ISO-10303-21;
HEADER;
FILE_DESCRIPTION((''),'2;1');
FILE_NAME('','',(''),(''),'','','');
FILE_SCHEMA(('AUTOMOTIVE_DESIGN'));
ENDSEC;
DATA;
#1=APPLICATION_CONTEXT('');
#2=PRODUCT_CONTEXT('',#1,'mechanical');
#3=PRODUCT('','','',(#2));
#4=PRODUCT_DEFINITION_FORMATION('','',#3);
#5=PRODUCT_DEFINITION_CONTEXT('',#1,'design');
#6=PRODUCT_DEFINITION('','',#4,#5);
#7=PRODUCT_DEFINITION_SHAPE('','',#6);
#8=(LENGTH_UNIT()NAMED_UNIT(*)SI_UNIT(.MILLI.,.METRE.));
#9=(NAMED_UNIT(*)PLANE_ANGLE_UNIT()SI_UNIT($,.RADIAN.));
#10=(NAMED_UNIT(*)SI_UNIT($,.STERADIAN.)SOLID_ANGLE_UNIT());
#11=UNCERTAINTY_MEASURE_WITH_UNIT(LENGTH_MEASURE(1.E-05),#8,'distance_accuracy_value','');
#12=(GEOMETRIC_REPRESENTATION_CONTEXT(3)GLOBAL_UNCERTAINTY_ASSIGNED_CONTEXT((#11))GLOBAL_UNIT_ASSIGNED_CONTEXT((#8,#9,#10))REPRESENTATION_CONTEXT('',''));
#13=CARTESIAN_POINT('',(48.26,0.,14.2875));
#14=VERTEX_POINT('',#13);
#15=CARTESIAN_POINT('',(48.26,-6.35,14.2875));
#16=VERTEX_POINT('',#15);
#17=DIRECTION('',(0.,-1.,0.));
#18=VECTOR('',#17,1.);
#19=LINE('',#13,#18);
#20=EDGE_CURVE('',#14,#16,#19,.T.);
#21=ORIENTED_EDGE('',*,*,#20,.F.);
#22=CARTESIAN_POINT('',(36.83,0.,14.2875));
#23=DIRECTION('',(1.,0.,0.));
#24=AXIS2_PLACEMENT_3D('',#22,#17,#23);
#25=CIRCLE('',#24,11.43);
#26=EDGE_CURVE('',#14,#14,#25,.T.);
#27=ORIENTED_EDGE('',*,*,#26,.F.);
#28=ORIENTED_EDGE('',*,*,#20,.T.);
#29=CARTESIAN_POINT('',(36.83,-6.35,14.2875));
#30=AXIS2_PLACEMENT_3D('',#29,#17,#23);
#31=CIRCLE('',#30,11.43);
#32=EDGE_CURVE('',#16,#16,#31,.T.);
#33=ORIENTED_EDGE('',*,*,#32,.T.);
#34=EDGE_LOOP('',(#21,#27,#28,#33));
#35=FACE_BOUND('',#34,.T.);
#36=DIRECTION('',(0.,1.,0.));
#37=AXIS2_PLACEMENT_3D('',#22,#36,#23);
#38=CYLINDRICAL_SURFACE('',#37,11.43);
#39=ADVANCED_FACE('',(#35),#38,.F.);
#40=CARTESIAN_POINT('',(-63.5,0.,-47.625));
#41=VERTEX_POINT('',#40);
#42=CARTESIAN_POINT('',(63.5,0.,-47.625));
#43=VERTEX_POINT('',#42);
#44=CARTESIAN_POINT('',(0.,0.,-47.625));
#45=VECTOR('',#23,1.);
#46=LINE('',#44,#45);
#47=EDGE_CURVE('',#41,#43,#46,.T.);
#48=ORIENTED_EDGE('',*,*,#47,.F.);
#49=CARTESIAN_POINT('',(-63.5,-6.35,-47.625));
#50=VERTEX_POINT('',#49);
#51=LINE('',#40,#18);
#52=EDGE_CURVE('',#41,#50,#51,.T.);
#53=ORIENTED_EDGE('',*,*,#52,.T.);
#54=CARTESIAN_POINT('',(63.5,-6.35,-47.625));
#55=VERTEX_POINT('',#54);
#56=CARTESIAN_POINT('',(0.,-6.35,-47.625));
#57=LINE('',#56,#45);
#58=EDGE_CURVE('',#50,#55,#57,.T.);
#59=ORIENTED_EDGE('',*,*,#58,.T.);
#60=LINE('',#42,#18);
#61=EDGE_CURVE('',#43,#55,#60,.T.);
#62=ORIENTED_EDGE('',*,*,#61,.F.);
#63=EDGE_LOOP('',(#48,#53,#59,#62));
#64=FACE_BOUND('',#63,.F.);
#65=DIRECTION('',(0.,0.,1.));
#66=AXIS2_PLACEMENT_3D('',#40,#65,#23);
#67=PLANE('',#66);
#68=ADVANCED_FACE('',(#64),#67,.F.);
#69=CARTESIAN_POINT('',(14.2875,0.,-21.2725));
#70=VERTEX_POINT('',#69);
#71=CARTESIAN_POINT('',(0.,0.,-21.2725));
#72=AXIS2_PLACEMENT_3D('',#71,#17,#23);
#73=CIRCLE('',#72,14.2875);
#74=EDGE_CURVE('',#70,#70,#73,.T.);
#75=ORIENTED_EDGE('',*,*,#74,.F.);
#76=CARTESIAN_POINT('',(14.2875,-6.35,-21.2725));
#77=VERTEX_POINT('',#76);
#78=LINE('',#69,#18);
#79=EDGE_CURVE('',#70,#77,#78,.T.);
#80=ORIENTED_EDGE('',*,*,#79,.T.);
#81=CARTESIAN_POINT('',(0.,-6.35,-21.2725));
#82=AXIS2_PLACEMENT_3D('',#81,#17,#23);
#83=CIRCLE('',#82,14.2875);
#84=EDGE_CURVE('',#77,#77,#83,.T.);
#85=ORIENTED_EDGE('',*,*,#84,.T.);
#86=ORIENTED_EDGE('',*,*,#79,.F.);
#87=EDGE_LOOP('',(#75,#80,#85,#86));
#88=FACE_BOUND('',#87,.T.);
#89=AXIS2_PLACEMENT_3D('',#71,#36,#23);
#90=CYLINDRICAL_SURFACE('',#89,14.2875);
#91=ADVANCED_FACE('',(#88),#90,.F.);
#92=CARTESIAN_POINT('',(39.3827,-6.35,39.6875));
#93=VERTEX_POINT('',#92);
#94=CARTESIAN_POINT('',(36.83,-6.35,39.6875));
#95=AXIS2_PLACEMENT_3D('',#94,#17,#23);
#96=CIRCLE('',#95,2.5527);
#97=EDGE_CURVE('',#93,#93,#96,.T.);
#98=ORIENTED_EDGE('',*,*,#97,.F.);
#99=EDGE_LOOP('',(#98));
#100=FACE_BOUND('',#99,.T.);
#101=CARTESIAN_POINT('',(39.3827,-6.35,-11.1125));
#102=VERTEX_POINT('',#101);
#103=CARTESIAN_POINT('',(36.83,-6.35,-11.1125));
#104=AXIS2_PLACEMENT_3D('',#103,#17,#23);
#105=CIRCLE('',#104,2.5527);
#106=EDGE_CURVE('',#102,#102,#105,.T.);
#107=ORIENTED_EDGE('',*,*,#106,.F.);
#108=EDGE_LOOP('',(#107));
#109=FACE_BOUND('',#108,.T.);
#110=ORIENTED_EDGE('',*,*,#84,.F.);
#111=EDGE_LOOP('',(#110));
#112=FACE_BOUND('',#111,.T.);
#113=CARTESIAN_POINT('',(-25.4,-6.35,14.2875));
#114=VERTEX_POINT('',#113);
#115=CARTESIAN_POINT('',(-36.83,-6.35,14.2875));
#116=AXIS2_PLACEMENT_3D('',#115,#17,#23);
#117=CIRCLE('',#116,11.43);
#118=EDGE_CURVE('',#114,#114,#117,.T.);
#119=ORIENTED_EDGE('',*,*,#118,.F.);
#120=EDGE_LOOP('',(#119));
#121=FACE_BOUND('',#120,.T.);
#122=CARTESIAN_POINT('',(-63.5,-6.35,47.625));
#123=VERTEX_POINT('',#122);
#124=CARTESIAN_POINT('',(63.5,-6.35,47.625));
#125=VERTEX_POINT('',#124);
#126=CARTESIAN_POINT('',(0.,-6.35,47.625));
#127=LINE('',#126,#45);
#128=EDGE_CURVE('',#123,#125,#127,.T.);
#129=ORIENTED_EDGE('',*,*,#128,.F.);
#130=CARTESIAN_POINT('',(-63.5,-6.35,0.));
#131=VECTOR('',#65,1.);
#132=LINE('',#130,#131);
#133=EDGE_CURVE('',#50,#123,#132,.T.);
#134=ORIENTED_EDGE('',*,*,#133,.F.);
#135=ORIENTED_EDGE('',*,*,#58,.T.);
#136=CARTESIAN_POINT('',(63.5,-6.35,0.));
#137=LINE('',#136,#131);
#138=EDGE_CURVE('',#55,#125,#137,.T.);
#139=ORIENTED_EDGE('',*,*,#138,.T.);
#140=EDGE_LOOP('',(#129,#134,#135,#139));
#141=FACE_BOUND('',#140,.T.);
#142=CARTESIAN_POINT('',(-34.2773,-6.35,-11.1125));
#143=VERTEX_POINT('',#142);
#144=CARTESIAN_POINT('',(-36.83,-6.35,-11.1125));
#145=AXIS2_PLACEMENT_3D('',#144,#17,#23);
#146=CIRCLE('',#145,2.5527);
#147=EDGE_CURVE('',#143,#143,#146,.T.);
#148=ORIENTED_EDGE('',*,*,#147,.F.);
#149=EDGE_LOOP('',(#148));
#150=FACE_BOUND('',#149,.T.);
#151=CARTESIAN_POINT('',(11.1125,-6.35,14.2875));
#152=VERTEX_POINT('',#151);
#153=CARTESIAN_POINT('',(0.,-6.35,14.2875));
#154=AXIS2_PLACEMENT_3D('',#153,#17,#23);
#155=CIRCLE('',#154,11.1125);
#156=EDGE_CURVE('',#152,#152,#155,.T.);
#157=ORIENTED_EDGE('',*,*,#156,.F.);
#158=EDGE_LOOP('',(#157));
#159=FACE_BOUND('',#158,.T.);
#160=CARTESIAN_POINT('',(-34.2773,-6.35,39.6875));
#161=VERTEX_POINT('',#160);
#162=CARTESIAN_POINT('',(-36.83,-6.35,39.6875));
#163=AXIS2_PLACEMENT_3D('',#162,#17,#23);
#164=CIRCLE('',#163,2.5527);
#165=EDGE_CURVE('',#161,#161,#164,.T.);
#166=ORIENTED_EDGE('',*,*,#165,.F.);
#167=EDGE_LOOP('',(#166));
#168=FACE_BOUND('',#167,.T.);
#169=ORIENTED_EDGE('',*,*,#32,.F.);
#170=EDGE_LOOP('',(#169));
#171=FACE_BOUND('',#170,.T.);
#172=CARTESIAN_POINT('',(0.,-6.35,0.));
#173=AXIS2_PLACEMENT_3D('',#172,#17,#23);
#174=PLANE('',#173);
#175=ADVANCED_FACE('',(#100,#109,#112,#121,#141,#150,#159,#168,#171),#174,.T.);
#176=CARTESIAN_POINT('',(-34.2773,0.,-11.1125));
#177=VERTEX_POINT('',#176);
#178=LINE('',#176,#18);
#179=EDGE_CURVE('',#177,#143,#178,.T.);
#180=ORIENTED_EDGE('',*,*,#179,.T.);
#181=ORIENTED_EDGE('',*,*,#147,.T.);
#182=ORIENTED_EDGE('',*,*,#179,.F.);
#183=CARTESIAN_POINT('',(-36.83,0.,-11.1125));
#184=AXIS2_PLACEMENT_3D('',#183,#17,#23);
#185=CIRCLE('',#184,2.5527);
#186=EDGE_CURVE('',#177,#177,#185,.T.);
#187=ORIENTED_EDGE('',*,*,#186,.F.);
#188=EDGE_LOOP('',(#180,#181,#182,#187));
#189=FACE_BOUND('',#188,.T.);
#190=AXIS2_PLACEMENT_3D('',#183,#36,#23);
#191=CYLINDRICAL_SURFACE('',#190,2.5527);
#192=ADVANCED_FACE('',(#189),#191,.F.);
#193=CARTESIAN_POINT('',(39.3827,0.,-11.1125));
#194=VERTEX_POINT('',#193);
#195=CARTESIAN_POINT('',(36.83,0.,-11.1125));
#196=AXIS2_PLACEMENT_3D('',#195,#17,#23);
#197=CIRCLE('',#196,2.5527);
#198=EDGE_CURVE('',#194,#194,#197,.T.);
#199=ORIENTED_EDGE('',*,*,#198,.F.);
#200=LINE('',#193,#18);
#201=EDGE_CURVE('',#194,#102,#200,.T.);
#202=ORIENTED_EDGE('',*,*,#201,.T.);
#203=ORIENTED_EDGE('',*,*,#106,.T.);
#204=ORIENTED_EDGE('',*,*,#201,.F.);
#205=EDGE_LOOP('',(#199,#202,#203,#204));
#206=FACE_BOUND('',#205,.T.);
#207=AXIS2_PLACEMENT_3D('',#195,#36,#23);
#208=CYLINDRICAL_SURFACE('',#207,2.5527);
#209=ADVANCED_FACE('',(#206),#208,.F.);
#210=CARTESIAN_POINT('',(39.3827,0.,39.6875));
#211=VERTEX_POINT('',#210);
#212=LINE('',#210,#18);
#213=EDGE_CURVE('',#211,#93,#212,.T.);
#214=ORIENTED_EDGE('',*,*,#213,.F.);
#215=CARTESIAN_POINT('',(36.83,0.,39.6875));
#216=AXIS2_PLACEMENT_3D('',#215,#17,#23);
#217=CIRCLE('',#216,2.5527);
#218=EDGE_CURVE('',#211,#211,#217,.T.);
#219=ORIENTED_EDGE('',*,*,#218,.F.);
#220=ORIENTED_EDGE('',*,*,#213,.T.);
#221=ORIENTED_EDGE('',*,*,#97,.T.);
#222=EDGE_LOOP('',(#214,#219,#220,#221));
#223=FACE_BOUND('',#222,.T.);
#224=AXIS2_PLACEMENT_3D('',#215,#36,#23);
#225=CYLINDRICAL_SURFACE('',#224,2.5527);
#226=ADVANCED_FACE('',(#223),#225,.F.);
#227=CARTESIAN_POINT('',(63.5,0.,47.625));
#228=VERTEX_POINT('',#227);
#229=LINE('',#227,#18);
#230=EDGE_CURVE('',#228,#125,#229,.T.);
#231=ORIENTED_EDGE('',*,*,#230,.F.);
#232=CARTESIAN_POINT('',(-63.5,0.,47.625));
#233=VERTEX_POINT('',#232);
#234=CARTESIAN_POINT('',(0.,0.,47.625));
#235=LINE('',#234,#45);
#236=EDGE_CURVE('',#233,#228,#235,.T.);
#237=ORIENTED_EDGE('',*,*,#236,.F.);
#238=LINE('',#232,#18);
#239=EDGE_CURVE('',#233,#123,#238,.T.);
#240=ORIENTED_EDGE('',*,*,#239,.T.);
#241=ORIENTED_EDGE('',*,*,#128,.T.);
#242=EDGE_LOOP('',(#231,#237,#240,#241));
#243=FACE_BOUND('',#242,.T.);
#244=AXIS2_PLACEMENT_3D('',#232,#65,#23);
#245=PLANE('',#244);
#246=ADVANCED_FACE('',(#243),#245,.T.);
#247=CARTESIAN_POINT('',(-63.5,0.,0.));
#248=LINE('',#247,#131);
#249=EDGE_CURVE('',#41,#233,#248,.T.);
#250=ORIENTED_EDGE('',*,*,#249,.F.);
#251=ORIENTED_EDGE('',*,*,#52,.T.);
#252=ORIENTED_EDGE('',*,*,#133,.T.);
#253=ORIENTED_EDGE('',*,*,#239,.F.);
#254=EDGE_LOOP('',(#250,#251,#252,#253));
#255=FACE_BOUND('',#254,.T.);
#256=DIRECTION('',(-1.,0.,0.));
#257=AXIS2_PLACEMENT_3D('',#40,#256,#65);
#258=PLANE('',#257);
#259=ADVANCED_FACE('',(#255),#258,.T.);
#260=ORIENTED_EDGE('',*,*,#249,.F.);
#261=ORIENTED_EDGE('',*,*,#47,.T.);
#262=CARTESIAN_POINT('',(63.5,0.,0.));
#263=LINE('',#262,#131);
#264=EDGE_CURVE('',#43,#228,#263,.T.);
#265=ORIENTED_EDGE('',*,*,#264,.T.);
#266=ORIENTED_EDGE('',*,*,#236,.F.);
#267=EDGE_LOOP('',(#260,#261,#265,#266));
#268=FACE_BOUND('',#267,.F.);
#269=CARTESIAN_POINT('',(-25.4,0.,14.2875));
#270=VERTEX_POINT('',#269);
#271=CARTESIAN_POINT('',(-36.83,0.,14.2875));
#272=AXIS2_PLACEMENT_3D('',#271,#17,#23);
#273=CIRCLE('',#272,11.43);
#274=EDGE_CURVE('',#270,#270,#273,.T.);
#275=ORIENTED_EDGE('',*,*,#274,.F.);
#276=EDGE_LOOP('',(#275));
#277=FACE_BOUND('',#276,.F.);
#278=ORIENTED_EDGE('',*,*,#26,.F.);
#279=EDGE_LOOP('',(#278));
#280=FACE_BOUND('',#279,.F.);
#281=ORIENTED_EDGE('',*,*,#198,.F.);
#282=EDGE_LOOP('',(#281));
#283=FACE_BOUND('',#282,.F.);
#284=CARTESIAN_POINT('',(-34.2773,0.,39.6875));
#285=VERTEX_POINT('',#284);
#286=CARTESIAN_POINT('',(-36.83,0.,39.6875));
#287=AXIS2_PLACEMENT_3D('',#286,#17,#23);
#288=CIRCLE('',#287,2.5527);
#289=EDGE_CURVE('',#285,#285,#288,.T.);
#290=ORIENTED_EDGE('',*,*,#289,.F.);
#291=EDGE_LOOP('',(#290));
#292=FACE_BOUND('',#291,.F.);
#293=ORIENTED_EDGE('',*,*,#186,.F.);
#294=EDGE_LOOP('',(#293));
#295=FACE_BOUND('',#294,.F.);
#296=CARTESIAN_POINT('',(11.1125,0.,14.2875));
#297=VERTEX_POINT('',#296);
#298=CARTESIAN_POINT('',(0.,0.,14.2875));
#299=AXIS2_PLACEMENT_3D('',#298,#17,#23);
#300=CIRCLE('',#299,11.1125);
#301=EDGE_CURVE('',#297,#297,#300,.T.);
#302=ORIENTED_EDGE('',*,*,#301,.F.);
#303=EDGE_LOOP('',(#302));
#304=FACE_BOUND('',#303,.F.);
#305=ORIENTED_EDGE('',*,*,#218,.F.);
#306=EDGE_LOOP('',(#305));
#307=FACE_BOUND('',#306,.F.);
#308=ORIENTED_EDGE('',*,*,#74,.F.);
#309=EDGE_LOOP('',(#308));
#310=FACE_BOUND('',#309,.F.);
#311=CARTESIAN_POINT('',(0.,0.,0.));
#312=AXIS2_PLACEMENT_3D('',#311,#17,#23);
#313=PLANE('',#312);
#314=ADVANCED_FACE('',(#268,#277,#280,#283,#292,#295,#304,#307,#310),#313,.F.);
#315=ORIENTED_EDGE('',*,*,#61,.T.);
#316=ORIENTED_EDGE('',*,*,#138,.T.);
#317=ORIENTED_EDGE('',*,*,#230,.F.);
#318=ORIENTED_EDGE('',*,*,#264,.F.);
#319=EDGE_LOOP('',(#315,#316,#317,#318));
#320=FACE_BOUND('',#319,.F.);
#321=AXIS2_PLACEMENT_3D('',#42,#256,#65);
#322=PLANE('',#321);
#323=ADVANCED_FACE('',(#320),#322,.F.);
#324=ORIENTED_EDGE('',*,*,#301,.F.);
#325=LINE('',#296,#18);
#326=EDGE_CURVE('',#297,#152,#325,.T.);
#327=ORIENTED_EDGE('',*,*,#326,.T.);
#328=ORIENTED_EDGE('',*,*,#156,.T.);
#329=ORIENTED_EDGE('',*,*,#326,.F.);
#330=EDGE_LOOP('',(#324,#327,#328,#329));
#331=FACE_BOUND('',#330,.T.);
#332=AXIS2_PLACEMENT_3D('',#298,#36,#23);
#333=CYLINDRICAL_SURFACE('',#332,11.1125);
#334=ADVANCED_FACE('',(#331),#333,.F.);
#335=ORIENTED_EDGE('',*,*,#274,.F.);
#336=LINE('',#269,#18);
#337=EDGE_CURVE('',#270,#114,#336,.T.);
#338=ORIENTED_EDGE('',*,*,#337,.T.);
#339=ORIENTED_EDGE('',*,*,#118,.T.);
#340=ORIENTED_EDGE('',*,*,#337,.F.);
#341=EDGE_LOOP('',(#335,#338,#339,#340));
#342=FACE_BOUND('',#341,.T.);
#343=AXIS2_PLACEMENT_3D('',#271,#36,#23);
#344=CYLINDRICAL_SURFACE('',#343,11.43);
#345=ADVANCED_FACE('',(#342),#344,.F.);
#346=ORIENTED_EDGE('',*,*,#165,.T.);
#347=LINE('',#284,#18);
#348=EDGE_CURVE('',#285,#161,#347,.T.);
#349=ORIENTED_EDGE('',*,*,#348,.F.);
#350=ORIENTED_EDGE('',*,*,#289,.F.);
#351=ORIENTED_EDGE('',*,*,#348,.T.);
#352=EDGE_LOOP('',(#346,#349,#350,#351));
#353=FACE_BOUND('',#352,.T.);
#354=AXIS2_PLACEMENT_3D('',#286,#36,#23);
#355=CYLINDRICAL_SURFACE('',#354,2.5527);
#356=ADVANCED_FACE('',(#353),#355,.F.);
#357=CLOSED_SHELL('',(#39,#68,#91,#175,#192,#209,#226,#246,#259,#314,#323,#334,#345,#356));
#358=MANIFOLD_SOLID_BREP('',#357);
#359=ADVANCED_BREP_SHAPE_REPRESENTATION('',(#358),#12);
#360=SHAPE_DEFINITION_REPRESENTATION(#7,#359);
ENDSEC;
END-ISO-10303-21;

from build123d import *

# Parameters (mm, degrees)
F0_W     = 127
F0_H     = 95.25
F0_R     = 2.5527
F0_R_2   = 14.2875
F0_R_3   = 11.43
F0_R_4   = 11.1125
F1_DEPTH = 6.35


with BuildPart() as f1:
    # F0 (on Front) → F1 (new body)
    with BuildSketch(Plane.XZ):
        Rectangle(F0_W, F0_H)
        with Locations((-36.83, -11.1125)):
            Circle(F0_R, mode=Mode.SUBTRACT)
        with Locations((0, -21.2725)):
            Circle(F0_R_2, mode=Mode.SUBTRACT)
        with Locations((36.83, -11.1125)):
            Circle(F0_R, mode=Mode.SUBTRACT)
        with Locations((-36.83, 14.2875)):
            Circle(F0_R_3, mode=Mode.SUBTRACT)
        with Locations((-36.83, 39.6875)):
            Circle(F0_R, mode=Mode.SUBTRACT)
        with Locations((0, 14.2875)):
            Circle(F0_R_4, mode=Mode.SUBTRACT)
        with Locations((36.83, 14.2875)):
            Circle(F0_R_3, mode=Mode.SUBTRACT)
        with Locations((36.83, 39.6875)):
            Circle(F0_R, mode=Mode.SUBTRACT)
    extrude(amount=F1_DEPTH)


solid = f1.part
